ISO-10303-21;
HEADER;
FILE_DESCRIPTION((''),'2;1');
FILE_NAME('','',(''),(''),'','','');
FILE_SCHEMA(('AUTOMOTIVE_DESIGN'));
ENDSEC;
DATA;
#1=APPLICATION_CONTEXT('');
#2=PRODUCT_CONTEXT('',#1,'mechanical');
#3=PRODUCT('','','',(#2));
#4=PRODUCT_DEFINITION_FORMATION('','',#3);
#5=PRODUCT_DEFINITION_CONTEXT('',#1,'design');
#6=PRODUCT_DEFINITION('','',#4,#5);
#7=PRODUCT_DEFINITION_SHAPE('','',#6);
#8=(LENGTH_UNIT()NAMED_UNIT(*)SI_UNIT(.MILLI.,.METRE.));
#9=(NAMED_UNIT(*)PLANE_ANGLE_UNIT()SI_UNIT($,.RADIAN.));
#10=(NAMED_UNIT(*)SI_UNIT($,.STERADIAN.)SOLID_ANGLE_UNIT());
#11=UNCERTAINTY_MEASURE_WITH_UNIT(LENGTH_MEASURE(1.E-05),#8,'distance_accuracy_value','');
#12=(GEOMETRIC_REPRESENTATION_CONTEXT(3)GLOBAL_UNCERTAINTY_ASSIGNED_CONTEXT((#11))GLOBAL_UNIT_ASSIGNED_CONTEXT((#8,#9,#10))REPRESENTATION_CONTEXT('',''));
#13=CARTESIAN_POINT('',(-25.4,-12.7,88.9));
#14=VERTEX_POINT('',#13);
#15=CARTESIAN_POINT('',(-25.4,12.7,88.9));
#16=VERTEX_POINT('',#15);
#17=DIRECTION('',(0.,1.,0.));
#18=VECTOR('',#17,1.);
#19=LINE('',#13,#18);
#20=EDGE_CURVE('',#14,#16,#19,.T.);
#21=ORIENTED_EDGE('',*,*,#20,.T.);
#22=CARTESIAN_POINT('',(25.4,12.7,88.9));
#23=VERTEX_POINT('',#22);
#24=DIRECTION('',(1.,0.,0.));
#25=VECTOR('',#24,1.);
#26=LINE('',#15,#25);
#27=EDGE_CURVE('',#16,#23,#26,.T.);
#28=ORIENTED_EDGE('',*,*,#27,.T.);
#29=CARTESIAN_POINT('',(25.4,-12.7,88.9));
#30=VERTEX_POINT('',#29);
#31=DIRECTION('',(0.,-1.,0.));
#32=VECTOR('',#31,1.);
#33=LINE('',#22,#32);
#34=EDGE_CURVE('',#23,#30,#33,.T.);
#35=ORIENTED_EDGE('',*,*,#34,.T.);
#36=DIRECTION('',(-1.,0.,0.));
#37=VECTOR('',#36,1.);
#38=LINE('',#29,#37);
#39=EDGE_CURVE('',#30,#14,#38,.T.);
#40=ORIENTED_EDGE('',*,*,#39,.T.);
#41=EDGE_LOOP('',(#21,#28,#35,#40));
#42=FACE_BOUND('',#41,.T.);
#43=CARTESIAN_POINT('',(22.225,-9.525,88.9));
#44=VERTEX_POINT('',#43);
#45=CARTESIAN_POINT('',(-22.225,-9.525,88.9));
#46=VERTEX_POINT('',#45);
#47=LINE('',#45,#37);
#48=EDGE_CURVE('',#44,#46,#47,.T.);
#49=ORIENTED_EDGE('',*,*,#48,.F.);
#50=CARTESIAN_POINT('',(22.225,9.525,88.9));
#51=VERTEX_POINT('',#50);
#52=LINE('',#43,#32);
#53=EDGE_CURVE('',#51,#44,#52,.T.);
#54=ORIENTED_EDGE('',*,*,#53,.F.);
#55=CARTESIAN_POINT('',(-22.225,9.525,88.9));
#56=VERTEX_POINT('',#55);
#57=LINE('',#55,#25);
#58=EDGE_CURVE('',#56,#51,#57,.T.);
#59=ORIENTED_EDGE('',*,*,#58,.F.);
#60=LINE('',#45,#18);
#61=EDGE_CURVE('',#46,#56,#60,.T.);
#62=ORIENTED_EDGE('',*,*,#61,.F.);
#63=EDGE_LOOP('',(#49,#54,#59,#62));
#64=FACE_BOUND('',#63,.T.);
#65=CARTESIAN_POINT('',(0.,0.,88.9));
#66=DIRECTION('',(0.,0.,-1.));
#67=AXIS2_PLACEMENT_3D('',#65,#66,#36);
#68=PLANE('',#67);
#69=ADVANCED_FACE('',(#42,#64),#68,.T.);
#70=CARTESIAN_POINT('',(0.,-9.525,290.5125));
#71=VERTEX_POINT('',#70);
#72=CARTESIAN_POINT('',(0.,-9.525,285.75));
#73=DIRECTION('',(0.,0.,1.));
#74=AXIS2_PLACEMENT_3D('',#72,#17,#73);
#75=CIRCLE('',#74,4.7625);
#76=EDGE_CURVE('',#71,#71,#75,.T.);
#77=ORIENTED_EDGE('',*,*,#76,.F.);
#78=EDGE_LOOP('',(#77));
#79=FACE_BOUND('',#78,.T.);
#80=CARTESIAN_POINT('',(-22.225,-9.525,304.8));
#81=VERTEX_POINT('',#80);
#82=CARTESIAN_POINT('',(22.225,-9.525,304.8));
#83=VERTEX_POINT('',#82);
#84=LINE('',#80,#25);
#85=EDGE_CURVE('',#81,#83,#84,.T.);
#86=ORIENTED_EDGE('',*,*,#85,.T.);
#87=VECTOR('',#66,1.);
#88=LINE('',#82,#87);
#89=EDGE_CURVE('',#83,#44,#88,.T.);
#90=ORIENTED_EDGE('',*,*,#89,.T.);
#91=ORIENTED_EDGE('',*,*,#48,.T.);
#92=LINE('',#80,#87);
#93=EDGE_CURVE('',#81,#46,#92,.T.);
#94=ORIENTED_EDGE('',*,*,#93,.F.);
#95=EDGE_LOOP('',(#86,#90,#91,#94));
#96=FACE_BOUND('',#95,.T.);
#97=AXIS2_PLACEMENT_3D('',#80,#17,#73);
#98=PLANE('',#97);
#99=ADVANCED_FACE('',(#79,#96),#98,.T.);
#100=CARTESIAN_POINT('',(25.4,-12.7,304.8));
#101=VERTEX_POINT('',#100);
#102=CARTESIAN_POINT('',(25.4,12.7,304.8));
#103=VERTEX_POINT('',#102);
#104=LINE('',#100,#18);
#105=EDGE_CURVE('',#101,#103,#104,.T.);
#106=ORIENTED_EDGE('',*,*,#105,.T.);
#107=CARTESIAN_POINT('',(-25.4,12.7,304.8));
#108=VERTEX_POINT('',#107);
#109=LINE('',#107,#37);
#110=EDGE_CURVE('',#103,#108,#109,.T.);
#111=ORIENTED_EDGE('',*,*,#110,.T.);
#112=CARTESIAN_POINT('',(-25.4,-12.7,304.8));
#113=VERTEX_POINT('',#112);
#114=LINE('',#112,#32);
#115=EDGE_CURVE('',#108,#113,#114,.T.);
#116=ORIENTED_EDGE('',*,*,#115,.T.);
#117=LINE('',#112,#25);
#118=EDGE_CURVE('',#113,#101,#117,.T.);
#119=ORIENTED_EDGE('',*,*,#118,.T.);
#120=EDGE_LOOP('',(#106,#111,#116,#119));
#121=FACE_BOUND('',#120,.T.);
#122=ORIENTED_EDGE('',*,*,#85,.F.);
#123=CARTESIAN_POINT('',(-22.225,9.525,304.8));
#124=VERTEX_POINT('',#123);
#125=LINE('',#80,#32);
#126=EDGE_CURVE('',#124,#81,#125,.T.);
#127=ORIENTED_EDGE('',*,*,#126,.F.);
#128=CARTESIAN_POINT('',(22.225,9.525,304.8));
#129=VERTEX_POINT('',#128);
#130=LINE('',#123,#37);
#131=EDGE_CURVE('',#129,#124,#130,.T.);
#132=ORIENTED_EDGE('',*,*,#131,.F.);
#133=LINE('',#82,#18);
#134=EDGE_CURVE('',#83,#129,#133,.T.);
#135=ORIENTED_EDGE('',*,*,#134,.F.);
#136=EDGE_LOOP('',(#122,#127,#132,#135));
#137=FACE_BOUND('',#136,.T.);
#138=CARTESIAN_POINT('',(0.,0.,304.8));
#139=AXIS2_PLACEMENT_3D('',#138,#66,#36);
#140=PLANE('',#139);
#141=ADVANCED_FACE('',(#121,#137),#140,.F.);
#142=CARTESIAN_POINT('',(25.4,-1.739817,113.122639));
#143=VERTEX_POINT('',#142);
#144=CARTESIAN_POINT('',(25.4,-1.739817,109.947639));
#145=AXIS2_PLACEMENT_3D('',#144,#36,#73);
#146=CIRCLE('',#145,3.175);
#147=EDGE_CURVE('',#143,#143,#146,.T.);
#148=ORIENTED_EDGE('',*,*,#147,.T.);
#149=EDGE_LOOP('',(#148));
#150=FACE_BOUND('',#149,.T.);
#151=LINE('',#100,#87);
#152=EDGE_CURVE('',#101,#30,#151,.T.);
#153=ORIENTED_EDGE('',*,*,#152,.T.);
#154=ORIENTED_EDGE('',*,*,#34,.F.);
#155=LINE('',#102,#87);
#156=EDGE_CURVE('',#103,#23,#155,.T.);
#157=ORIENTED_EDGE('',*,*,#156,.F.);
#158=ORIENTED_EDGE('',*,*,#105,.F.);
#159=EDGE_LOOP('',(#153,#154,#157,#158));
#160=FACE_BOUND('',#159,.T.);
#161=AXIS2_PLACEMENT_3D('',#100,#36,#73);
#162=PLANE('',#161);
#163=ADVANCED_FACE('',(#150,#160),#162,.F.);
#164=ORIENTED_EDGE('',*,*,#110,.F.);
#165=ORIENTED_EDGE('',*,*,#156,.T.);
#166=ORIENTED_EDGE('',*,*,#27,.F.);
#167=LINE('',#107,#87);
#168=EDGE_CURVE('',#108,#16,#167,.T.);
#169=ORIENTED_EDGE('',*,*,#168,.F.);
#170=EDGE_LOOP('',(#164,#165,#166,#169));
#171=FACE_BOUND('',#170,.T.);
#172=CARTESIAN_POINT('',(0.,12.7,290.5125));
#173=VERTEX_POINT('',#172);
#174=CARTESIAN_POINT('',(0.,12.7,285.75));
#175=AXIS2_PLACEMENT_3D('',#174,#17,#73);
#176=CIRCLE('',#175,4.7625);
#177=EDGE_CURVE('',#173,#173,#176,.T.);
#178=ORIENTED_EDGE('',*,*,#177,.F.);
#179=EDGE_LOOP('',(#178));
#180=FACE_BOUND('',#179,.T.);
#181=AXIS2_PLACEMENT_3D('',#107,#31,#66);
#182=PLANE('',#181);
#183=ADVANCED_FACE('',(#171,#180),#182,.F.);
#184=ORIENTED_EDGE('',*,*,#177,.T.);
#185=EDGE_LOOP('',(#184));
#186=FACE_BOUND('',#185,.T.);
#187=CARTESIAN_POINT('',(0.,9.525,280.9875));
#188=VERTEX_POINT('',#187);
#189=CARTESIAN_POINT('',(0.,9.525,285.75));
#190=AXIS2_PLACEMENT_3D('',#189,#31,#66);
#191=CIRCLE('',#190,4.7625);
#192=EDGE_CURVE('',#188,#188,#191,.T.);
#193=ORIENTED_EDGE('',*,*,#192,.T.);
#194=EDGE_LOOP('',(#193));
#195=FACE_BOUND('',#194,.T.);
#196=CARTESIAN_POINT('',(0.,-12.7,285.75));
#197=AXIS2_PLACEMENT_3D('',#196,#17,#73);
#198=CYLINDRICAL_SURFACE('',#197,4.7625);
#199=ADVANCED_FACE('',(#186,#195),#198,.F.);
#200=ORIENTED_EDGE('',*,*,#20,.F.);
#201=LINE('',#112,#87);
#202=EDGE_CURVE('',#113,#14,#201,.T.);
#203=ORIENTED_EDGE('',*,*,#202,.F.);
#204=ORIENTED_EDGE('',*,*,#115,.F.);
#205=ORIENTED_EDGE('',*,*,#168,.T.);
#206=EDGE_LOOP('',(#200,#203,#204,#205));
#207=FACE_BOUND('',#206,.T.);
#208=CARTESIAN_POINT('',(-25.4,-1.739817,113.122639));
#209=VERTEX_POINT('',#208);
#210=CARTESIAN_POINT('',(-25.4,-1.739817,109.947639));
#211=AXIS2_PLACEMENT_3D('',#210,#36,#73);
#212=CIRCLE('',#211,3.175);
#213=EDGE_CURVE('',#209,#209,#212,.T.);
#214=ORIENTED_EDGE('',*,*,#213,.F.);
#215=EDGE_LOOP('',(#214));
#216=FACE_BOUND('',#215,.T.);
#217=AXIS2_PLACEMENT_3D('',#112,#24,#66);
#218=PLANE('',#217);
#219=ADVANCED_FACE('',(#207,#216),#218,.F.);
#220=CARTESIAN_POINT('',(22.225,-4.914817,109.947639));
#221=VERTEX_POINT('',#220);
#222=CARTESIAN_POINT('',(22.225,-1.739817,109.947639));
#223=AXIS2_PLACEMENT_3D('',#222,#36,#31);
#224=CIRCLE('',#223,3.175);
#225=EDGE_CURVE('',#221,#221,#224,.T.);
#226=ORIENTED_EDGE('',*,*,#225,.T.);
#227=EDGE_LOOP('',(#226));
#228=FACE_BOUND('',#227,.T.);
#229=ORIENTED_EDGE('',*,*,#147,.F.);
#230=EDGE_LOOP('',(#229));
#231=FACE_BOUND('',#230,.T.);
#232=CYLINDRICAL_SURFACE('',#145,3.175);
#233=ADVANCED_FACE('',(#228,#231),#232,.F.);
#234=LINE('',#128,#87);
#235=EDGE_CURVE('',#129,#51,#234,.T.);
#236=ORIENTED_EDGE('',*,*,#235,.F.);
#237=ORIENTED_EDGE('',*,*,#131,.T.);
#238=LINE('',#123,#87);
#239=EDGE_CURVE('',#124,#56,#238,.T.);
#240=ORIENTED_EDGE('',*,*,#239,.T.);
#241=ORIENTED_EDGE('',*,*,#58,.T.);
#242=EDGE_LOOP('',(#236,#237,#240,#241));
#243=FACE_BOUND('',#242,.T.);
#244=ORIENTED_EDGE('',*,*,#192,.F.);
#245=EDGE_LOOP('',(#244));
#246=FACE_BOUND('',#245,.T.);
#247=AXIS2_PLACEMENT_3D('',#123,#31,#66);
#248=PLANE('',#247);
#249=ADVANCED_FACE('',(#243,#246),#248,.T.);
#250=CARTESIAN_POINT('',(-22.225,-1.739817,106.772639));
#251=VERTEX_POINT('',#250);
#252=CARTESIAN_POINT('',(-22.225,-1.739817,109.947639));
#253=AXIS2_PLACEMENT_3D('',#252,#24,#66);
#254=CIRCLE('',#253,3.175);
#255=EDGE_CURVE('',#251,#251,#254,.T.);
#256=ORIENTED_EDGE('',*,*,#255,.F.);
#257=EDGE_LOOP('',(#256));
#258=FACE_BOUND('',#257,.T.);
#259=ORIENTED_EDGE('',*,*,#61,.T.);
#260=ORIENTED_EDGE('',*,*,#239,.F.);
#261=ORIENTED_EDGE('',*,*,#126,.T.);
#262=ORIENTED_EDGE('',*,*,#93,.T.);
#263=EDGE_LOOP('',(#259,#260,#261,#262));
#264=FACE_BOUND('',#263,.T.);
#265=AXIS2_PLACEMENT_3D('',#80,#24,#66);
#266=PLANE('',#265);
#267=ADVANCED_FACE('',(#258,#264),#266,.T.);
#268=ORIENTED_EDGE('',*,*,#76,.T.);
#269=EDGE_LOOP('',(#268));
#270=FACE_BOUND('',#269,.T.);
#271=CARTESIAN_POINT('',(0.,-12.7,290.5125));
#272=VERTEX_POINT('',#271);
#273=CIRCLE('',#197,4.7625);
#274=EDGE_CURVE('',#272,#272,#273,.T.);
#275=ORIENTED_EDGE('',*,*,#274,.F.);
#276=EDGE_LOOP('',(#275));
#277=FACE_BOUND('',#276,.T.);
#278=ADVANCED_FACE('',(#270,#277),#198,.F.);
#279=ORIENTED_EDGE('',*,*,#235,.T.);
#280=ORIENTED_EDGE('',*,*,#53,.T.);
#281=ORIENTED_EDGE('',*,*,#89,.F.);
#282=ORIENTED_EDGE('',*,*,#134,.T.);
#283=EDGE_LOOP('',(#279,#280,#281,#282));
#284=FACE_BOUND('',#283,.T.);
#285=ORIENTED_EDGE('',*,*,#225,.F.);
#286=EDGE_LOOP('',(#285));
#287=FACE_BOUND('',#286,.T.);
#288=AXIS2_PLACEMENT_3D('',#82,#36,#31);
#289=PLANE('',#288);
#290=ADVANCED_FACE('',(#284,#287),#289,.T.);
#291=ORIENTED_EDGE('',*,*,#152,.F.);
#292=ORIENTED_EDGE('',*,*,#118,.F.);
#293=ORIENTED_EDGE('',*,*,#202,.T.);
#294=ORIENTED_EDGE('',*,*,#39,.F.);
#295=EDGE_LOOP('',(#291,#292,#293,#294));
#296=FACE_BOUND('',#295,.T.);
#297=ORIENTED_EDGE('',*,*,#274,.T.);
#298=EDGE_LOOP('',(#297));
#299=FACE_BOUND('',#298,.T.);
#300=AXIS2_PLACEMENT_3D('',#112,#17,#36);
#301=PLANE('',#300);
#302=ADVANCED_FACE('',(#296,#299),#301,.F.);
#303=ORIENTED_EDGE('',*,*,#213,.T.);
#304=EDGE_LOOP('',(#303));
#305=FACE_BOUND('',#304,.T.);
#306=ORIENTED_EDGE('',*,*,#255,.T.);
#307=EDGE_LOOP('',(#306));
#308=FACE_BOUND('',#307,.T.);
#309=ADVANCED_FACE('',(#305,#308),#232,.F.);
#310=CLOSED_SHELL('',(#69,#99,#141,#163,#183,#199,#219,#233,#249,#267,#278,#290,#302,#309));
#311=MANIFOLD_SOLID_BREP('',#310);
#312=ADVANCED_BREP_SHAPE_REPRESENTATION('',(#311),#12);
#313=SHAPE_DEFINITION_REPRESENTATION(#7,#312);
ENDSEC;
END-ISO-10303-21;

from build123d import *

# Parameters (mm, degrees)
SKETCH1_W           = 50.8
SKETCH1_H           = 25.4
SKETCH1_W_2         = 44.45
SKETCH1_H_2         = 19.05
BOSS_EXTRUDE1_DEPTH = 304.8
SKETCH2_R           = 4.7625
CUT_EXTRUDE1_DEPTH  = 307.909367729
SKETCH3_R           = 3.175
CUT_EXTRUDE2_DEPTH  = 310.265209812
SKETCH4_W           = 50.8
SKETCH4_H           = 25.4
CUT_EXTRUDE3_DEPTH  = 88.9


with BuildPart() as part:
    # Sketch1 → Boss-Extrude1 (new body)
    with BuildSketch(Plane.XY):
        Rectangle(SKETCH1_W, SKETCH1_H)
        Rectangle(SKETCH1_W_2, SKETCH1_H_2, mode=Mode.SUBTRACT)
    extrude(amount=BOSS_EXTRUDE1_DEPTH)

    # Sketch2 → Cut-Extrude1 (cut, through all)
    with BuildSketch(Plane(origin=(0, 12.7, 0), x_dir=(1, 0, 0), z_dir=(0, 1, 0))):
        with Locations(Location((0, -285.75, 0), (0, 0, 270))):
            Circle(SKETCH2_R)
    extrude(amount=-CUT_EXTRUDE1_DEPTH, mode=Mode.SUBTRACT)

    # Sketch3 → Cut-Extrude2 (cut, through all)
    with BuildSketch(Plane.ZY.offset(25.4)):
        with Locations((109.947638526, -1.739817444)):
            Circle(SKETCH3_R)
    extrude(amount=-CUT_EXTRUDE2_DEPTH, mode=Mode.SUBTRACT)

    # Sketch4 → Cut-Extrude3 (cut)
    with BuildSketch(Plane(origin=(0, 0, 0), x_dir=(-1, 0, 0), z_dir=(0, 0, -1))):
        Rectangle(SKETCH4_W, SKETCH4_H)
    extrude(amount=-CUT_EXTRUDE3_DEPTH, mode=Mode.SUBTRACT)


solid = part.part
